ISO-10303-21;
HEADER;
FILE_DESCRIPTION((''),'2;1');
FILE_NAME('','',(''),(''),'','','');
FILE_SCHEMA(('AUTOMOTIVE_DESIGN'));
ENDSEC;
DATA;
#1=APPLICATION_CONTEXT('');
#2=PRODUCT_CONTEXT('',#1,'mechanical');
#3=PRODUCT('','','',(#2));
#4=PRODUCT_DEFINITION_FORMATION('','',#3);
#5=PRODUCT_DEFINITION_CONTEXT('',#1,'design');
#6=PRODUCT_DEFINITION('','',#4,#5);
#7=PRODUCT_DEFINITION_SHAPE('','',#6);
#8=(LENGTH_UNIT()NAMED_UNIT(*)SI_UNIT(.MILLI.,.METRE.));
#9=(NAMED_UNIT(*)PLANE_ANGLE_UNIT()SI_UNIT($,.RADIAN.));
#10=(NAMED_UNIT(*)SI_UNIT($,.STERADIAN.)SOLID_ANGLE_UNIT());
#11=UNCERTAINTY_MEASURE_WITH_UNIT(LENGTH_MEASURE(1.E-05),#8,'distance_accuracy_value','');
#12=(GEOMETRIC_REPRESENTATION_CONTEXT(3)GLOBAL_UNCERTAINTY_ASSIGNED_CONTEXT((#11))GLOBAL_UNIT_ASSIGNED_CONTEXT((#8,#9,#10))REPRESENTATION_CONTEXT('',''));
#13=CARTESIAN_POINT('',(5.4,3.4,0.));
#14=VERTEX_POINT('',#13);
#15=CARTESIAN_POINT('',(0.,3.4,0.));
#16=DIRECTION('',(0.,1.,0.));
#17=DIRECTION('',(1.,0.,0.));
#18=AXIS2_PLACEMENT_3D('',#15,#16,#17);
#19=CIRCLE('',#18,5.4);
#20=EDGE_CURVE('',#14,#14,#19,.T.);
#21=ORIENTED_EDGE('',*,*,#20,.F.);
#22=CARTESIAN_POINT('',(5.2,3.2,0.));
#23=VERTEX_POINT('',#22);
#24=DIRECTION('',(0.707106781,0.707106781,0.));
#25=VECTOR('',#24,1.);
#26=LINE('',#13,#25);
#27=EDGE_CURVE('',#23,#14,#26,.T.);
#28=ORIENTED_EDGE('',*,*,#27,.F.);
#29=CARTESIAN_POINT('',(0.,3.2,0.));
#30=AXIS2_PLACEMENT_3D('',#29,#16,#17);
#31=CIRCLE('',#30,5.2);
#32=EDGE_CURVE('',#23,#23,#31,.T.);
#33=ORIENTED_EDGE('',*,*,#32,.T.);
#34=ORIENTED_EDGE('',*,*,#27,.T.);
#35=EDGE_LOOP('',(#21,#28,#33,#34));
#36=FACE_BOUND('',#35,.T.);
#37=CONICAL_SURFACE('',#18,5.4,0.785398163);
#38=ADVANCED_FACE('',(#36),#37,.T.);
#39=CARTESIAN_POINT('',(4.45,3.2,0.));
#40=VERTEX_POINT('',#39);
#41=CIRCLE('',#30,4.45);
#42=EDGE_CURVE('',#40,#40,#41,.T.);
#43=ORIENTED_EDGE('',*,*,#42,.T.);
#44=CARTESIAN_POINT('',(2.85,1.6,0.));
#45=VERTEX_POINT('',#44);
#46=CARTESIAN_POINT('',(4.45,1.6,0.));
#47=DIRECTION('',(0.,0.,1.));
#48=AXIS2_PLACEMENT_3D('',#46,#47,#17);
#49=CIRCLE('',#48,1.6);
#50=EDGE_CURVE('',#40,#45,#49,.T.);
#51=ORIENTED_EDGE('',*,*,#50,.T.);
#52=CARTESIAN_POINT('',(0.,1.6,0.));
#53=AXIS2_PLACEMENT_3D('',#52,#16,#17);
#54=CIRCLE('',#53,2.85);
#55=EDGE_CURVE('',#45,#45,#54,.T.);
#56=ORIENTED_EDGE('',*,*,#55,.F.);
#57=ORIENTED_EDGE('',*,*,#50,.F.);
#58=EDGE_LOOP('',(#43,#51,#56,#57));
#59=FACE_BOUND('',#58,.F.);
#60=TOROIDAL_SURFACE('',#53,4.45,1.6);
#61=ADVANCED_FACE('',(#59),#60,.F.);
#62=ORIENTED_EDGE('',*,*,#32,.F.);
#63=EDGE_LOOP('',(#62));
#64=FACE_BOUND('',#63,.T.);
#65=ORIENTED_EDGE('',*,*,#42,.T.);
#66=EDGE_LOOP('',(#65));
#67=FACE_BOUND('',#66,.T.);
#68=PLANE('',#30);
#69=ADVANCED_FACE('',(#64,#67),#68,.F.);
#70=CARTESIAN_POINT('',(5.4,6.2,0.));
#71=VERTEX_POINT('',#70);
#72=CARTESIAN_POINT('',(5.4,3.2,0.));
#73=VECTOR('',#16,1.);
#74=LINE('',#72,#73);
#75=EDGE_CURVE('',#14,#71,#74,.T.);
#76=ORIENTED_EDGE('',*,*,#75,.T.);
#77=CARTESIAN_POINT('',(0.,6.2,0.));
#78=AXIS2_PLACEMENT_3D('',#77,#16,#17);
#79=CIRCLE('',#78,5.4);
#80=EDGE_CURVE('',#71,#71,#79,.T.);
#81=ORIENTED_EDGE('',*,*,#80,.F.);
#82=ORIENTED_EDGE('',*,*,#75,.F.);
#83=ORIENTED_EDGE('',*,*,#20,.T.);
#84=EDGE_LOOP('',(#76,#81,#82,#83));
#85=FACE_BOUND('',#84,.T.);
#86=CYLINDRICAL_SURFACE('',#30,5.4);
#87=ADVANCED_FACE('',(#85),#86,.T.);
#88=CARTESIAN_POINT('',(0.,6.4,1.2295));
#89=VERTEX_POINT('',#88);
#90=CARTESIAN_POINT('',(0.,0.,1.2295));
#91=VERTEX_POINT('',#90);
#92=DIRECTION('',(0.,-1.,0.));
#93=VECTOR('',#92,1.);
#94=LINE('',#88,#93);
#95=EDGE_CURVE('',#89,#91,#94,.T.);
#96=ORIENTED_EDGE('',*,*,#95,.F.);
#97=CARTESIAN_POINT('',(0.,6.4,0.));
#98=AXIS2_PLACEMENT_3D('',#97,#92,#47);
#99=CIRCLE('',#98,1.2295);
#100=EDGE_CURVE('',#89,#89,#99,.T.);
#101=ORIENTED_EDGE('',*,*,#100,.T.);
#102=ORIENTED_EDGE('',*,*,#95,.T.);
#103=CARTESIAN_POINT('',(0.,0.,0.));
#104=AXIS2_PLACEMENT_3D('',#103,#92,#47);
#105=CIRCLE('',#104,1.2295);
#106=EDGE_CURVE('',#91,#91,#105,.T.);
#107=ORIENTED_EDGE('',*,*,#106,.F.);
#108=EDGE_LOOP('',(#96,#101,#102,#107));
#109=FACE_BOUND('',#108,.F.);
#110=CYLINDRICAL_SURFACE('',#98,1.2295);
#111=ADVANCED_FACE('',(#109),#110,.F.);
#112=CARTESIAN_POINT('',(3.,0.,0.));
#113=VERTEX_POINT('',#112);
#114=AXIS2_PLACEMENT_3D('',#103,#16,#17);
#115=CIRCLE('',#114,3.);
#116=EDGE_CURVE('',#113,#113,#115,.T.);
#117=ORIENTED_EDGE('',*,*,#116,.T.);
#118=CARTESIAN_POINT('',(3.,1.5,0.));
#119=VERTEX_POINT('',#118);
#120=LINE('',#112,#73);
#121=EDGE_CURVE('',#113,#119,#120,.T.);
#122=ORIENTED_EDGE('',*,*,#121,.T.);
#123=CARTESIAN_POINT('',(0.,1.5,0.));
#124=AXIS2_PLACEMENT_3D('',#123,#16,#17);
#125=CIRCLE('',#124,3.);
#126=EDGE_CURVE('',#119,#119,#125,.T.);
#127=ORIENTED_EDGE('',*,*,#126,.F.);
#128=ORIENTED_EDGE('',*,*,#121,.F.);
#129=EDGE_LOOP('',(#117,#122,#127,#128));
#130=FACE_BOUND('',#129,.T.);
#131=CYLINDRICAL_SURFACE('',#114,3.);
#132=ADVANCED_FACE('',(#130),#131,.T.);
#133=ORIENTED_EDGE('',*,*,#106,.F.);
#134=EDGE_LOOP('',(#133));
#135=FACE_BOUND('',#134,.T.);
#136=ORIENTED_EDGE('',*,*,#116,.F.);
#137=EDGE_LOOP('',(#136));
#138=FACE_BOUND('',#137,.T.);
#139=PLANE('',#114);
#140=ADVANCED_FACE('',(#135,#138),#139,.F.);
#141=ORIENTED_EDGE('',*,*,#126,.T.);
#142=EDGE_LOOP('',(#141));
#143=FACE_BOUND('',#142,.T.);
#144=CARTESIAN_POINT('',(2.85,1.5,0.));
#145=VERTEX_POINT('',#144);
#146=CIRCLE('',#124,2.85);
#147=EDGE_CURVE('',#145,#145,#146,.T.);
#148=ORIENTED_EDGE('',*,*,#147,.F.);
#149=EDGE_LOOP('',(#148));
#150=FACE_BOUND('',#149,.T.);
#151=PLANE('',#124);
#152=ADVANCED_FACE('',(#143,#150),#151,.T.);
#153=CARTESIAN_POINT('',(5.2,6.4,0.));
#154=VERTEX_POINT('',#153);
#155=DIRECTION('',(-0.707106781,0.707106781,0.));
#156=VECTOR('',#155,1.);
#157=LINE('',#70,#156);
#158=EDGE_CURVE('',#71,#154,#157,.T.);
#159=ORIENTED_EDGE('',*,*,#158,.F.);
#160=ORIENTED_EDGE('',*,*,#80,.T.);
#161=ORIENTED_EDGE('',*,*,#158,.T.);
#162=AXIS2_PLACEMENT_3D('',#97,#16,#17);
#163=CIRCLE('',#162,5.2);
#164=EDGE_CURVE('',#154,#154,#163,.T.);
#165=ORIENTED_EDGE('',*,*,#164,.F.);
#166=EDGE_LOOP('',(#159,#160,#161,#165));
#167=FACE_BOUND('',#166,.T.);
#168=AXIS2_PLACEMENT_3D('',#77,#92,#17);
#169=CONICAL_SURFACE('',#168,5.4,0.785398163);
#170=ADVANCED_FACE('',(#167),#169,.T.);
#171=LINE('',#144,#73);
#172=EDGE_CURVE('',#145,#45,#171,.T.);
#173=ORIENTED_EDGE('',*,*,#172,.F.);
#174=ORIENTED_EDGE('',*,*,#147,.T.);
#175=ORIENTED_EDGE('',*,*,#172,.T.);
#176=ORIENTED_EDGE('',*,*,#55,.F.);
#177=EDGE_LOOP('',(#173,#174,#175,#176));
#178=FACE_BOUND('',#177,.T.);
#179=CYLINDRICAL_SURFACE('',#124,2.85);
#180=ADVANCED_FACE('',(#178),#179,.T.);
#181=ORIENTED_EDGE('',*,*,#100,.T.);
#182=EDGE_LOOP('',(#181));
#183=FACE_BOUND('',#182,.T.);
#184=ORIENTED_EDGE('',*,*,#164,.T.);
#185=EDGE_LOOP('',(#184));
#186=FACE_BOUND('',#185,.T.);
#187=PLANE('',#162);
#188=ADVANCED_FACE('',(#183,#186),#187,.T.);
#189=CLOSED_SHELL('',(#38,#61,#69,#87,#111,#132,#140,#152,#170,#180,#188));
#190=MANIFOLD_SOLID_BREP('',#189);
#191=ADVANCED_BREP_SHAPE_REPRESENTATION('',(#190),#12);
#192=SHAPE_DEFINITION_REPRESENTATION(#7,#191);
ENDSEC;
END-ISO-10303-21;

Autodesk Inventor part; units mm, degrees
ref_plane "YZ Plane" through (0, 0, 0) normal (1, 0, 0) x (0, 1, 0)
ref_plane "XZ Plane" through (0, 0, 0) normal (0, 1, 0) x (-1, 0, 0)
ref_plane "XY Plane" through (0, 0, 0) normal (0, 0, 1) x (1, 0, 0)
sketch "Sketch1" plane through (0, 0, 0) normal (0, 0, 1) x (1, 0, 0)
  line L0 (0, 0) -> (0, 12.3467)
  line L1 (0, 0) -> (3, 0)
  line L2 (3, 0) -> (3, 1.5)
  line L3 (3, 1.5) -> (2.85, 1.5)
  line L4 (2.85, 1.5) -> (2.85, 3.2)
  line L5 (2.85, 3.2) -> (5.4, 3.2)
  line L6 (5.4, 3.2) -> (5.4, 6.4)
  line L7 (5.4, 6.4) -> (0, 6.4)
  line L8 (0, 0) -> (0, 6.4)
  dimension "d1" = 5.7
  dimension "d2" = 6
  dimension "d3" = 10.8
  dimension "d4" = 1.5
  dimension "d6" = 6.4
  dimension "d7" = 3.2
revolve "Revolution1" add sketch "Sketch1" angle 360 about axis through (0, 0, 0) along (0, 1, 0)
fillet "Fillet1" radius 1.6 1 edges at (-2.85, 3.2, 0)
chamfer "Chamfer1" distance 0.2 angle 45 2 edges at (-5.4, 6.4, 0) (-5.4, 3.2, 0)
hole "Hole1" at (0, 6.4, 0) direction (0, -1, 0) diameter 2.459 end through all thread size "M3x0.5" class "6H" standard "ISO Metric profile"
properties part number "Bed Thumb Screw" material "Stainless Steel"
